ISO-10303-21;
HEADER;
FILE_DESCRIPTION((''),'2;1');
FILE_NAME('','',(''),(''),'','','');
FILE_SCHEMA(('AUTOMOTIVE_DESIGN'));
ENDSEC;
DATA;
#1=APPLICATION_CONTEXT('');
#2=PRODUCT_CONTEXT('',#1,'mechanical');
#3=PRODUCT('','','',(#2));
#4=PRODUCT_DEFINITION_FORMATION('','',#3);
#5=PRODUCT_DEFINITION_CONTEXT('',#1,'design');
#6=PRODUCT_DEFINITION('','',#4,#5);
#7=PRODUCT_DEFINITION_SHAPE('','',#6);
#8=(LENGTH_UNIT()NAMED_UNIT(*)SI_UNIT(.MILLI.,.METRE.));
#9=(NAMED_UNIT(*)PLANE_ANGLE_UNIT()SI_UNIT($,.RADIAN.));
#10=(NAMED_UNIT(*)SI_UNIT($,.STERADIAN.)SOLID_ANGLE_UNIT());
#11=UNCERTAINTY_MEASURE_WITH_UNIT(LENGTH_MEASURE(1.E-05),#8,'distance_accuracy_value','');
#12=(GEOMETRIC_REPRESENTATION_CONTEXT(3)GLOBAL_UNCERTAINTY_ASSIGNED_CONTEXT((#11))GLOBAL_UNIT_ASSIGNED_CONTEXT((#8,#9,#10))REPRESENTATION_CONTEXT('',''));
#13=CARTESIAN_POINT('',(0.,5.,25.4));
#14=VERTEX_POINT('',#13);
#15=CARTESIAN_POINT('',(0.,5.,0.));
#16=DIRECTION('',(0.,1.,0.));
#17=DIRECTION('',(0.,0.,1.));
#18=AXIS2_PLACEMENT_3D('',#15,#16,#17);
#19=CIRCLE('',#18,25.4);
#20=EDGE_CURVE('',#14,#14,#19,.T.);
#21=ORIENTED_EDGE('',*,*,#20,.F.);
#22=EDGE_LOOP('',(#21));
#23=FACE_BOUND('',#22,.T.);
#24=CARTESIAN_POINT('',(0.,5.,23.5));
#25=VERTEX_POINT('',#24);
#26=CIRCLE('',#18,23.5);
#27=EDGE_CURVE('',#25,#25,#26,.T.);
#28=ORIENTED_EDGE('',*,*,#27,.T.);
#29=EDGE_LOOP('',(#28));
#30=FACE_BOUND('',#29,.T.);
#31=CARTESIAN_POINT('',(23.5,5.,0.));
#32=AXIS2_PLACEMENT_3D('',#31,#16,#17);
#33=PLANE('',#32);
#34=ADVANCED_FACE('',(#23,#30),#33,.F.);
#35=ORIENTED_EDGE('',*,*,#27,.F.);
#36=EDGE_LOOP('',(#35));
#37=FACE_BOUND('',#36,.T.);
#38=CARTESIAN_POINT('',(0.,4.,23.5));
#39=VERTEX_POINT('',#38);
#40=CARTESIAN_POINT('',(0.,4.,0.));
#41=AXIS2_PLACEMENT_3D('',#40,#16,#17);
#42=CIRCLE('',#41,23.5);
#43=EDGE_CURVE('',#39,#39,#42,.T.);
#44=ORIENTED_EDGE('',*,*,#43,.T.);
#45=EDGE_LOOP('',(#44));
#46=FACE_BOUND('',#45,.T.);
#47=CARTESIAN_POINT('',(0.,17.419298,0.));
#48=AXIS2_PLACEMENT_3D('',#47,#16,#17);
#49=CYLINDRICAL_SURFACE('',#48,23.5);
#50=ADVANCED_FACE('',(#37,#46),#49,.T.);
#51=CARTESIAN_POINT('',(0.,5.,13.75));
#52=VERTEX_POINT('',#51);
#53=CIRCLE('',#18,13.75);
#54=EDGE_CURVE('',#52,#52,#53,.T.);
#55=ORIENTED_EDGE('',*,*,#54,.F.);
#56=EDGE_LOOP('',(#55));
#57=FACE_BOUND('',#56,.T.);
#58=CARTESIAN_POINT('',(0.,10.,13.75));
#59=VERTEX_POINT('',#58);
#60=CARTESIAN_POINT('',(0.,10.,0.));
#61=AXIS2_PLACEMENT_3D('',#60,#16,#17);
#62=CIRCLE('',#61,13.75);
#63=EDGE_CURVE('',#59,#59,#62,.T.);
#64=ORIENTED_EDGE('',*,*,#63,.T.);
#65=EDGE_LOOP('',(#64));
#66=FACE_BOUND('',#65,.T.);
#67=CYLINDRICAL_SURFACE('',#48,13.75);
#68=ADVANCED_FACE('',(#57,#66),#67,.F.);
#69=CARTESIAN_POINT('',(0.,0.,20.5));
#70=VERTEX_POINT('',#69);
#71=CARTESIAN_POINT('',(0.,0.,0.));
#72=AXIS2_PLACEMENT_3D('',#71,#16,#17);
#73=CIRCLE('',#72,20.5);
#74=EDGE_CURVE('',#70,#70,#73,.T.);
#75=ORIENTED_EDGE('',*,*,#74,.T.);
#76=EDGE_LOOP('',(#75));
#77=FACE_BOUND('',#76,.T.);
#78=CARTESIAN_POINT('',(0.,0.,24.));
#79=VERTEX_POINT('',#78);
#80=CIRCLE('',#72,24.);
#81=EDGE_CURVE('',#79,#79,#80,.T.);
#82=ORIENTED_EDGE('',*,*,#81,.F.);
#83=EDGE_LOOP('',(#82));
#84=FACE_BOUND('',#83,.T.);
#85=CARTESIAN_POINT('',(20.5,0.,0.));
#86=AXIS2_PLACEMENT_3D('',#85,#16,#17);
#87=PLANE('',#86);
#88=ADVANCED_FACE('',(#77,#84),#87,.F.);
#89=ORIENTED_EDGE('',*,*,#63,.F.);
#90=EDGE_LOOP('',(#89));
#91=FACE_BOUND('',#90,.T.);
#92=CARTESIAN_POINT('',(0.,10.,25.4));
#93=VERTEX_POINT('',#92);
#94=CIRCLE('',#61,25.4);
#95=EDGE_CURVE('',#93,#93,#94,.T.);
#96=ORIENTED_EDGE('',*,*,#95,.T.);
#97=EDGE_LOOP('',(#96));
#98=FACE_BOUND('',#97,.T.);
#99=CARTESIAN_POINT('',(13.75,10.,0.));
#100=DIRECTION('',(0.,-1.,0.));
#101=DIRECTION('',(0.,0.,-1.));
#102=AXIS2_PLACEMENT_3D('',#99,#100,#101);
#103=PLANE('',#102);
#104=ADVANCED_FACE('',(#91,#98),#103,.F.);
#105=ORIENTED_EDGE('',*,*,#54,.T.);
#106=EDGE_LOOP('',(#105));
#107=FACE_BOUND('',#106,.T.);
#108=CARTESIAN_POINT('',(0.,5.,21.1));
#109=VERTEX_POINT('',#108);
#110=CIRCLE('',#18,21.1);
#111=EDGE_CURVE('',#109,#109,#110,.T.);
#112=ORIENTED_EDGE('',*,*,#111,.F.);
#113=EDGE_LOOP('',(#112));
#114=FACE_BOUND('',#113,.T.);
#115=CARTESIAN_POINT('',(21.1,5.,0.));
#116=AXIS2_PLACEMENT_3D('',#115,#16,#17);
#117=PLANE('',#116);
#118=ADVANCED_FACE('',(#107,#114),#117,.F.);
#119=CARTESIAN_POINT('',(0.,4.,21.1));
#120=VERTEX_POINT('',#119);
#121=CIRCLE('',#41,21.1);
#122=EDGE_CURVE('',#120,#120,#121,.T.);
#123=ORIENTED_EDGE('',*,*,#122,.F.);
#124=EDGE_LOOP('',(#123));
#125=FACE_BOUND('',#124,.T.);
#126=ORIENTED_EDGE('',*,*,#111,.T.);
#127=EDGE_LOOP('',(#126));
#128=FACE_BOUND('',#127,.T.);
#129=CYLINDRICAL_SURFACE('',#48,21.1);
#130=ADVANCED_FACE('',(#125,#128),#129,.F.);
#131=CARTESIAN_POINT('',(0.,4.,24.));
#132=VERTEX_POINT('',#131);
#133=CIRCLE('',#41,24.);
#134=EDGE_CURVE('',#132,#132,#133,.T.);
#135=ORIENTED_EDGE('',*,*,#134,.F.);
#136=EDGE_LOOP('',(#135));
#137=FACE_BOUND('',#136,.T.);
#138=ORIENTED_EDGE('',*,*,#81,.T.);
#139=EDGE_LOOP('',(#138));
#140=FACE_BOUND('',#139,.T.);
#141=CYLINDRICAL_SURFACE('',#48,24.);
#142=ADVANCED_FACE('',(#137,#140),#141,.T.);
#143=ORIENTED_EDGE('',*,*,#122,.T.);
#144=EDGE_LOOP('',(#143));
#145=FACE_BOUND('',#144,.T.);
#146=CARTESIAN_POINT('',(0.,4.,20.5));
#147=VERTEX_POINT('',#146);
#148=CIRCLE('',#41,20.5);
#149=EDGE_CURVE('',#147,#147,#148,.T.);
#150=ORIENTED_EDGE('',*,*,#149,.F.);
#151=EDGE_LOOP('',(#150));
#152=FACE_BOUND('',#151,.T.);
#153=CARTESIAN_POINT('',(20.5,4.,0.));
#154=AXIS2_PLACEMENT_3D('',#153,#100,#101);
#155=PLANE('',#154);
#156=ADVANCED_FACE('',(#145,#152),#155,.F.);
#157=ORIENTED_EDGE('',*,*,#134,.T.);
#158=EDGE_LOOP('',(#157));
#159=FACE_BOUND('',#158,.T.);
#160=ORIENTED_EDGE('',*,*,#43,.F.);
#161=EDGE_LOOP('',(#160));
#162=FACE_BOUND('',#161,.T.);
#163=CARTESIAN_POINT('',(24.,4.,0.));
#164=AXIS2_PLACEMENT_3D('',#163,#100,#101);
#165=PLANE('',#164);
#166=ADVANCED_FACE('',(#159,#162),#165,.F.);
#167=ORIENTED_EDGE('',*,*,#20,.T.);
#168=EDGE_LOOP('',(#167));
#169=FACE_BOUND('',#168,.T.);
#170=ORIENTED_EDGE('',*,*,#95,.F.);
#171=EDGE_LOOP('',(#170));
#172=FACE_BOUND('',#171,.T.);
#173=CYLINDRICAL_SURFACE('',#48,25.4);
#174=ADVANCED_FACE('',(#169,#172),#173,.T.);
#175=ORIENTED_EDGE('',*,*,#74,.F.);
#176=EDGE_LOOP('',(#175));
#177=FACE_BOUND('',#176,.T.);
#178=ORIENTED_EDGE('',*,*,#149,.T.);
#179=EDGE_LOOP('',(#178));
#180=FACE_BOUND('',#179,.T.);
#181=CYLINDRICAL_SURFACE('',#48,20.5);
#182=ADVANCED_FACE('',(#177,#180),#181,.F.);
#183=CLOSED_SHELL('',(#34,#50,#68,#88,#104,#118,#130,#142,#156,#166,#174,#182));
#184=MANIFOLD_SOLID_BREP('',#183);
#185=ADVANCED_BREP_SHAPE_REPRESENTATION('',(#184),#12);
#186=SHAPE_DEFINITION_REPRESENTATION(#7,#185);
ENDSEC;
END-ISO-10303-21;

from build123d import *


with BuildPart() as part:
    # 草图1 → 旋转1 (revolve)
    with BuildSketch(Plane.XY, mode=Mode.PRIVATE) as revolve_1_sk:
        Polygon((20.5, 0), (20.5, 4), (21.1, 4), (21.1, 5), (13.75, 5), (13.75, 10), (25.4, 10), (25.4, 5), (23.5, 5), (23.5, 4), (24, 4), (24, 0), align=None)
    revolve(revolve_1_sk.sketch.rotate(Axis((0, 17.419298318, 0), (0, -1, 0)), 90), axis=Axis((0, 17.419298318, 0), (0, -1, 0)))  # turned: the seam where the file's is


solid = part.part
